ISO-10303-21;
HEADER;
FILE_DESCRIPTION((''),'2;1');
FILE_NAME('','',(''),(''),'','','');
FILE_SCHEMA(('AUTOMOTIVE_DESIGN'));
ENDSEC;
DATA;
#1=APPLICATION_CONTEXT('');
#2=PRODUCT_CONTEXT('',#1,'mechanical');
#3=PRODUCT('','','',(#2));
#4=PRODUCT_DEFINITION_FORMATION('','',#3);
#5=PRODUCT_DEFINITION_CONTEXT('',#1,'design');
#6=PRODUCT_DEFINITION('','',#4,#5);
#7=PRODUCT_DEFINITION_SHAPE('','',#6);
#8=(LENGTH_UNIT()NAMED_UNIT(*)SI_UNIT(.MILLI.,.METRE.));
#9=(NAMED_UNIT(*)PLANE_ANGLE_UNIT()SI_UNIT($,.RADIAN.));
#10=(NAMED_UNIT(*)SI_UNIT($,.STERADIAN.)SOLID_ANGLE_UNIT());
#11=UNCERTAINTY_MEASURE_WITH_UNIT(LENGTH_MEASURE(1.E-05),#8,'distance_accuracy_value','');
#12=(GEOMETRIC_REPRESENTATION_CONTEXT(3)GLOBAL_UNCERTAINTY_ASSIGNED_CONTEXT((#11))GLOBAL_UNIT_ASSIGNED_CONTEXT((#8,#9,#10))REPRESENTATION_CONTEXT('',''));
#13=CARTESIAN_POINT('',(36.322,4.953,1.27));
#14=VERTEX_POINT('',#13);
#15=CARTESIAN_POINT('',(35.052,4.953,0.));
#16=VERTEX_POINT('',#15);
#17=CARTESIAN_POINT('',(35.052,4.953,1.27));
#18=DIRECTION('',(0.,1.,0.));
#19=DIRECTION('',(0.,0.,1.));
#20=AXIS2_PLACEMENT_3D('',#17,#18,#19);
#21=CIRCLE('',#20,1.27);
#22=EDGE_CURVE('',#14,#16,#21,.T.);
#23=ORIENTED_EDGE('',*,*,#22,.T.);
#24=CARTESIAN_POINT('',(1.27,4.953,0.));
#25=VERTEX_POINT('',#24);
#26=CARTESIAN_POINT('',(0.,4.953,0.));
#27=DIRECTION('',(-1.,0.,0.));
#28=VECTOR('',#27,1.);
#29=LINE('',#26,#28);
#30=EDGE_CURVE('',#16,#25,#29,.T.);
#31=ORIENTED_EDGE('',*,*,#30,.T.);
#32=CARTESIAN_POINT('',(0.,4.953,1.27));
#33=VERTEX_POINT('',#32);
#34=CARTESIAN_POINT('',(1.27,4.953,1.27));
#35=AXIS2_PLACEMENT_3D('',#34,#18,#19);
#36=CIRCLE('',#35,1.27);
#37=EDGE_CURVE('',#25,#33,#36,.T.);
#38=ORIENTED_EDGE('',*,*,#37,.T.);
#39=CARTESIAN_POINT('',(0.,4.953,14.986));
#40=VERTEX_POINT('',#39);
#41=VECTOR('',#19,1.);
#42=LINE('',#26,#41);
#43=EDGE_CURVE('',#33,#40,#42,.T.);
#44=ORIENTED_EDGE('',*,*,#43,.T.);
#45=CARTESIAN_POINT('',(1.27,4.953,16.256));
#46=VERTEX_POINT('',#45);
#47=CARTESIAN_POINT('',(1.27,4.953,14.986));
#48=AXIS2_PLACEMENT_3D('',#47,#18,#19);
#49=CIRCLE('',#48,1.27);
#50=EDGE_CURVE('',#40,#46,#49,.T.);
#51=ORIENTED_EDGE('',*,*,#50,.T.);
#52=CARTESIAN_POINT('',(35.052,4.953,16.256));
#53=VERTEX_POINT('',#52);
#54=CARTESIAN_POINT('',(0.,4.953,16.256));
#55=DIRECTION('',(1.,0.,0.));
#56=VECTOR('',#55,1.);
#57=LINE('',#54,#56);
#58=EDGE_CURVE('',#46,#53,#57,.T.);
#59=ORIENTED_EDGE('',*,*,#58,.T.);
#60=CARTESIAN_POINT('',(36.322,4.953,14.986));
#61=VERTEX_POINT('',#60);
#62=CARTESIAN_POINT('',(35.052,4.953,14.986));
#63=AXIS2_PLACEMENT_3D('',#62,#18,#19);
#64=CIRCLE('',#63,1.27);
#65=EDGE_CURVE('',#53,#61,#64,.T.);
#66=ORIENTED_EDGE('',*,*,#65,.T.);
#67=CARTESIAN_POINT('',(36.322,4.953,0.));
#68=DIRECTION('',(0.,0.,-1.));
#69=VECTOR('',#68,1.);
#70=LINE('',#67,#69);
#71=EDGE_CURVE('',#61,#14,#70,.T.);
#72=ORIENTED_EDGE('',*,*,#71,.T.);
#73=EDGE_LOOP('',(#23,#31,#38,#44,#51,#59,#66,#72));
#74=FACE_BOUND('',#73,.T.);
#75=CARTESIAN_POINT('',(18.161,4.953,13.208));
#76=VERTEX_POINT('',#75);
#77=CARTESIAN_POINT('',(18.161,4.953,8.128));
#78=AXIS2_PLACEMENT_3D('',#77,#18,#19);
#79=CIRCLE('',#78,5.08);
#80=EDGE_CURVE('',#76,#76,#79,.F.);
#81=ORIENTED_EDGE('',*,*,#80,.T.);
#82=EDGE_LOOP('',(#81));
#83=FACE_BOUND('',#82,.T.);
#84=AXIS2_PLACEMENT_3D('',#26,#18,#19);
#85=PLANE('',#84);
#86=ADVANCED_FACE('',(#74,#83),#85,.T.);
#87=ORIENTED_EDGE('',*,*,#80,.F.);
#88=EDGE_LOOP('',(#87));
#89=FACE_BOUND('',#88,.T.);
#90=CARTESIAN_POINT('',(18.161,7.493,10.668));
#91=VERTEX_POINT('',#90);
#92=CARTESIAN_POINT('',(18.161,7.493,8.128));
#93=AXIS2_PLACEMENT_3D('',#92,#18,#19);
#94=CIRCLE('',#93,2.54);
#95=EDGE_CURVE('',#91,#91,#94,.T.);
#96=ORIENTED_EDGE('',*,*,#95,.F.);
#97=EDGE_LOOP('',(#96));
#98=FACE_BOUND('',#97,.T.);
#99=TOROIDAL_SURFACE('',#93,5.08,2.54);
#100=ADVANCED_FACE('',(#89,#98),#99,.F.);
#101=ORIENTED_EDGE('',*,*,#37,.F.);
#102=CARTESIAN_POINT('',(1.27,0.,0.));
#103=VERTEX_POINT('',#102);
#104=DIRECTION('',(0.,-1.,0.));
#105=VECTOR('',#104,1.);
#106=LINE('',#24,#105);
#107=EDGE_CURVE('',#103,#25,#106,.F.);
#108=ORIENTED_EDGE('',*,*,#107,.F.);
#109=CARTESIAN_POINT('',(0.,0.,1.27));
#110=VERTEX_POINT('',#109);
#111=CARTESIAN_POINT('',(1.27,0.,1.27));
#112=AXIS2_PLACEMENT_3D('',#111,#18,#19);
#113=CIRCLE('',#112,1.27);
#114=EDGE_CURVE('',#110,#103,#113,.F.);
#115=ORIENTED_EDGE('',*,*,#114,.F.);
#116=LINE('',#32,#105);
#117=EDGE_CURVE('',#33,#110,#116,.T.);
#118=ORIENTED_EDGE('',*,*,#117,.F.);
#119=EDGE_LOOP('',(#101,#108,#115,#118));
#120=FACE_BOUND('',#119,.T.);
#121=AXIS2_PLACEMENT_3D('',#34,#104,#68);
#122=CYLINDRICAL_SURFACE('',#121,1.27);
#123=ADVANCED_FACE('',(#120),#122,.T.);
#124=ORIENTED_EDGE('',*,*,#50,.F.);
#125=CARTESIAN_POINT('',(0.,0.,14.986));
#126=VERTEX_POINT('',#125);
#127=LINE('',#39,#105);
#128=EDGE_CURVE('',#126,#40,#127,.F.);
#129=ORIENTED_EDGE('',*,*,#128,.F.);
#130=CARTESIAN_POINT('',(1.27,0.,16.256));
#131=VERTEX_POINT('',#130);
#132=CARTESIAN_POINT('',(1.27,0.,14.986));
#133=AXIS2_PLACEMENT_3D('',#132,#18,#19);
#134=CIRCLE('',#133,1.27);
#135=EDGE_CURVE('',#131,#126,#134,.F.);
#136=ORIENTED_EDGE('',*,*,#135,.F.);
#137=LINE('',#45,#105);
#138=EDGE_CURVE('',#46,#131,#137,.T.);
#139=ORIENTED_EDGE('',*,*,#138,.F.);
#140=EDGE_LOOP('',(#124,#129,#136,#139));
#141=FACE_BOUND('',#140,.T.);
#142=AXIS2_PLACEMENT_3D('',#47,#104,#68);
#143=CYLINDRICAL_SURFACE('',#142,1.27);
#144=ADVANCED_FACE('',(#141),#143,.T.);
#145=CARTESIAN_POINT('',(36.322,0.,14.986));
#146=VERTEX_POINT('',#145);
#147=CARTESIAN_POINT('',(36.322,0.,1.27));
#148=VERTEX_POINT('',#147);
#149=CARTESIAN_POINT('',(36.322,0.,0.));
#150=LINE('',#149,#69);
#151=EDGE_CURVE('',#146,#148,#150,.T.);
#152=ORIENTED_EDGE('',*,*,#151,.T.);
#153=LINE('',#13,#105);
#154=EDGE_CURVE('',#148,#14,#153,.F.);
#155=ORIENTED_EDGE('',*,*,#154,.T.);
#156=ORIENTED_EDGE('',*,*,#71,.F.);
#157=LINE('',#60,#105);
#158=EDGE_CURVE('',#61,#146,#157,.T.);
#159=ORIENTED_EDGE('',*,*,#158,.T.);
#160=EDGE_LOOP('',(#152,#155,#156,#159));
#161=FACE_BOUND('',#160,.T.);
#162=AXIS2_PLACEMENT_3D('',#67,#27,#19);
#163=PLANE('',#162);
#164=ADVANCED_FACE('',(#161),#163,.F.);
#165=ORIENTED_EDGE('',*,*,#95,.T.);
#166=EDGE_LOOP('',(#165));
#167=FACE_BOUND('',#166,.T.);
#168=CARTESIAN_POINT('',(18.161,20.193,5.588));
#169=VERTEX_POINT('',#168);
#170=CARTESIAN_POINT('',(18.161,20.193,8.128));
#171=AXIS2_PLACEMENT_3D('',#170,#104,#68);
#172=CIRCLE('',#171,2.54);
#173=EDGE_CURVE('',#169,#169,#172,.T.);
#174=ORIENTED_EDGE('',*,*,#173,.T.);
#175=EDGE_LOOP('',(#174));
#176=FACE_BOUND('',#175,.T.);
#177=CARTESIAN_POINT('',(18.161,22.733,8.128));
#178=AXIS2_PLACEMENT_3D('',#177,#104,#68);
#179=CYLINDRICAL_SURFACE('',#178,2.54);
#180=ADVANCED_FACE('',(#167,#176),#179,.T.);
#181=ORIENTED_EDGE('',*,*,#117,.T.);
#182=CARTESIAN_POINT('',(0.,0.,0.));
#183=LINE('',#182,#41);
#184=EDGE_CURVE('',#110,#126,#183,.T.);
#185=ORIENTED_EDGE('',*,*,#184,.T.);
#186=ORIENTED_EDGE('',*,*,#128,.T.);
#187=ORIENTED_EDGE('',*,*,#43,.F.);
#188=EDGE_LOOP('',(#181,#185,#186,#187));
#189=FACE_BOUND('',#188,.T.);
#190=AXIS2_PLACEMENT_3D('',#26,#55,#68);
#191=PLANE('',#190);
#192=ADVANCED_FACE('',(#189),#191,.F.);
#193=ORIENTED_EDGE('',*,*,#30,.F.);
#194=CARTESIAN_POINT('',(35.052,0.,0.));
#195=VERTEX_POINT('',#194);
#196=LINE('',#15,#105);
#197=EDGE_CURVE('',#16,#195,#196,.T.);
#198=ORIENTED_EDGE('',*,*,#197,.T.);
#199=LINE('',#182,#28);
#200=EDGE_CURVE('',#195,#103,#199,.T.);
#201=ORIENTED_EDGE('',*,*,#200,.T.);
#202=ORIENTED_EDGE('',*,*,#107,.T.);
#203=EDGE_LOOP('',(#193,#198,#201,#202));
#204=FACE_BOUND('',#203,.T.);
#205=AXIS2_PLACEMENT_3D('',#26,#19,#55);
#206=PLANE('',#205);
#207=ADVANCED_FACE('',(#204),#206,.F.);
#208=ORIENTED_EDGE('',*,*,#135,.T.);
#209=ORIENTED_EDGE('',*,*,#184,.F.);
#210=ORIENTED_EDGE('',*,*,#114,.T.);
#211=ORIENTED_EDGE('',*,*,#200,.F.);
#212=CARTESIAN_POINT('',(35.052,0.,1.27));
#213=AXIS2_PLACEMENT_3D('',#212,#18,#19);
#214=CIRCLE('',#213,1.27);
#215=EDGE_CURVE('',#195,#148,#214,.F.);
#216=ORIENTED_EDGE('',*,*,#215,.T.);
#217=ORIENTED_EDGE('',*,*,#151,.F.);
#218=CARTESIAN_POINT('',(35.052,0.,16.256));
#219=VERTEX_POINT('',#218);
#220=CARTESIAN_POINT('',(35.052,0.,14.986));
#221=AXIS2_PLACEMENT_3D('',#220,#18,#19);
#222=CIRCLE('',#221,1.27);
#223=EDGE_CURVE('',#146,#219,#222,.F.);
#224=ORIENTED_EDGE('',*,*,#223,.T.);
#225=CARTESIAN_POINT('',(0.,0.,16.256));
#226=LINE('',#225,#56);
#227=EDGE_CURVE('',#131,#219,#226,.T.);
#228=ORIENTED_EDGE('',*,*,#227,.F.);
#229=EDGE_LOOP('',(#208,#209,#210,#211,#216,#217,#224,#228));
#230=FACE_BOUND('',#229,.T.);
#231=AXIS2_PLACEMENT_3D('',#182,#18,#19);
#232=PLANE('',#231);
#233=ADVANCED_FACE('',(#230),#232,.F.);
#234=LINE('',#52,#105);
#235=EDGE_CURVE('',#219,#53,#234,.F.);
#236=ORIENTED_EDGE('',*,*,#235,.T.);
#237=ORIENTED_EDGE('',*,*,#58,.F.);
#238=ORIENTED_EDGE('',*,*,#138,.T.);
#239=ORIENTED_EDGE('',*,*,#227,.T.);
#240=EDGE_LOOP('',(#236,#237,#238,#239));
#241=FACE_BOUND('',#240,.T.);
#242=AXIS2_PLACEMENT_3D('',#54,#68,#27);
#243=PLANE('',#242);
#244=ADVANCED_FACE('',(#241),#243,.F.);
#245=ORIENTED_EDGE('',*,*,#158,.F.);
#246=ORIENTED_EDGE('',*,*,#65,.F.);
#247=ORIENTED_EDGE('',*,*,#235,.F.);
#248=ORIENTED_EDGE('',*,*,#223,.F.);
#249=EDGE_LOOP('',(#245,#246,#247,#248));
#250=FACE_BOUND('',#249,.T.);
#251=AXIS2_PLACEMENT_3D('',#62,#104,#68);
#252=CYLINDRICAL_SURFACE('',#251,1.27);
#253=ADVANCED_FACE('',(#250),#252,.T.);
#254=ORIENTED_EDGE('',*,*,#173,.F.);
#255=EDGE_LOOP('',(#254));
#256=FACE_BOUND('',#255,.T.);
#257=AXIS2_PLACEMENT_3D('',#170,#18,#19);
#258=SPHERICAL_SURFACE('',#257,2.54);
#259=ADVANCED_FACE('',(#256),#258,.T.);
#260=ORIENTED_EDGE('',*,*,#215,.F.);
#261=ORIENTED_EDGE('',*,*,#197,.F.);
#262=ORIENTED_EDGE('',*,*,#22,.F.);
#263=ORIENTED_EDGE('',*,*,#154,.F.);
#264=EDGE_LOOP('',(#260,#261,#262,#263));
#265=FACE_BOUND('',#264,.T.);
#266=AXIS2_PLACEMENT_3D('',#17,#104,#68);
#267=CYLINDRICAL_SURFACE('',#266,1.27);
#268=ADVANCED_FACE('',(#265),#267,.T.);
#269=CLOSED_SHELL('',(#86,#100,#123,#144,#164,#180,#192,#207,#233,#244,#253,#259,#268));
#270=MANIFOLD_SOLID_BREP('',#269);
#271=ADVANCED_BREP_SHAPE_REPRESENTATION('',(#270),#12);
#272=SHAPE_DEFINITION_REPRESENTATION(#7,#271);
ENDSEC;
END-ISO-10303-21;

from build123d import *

# Parameters (mm, degrees)
SKETCH1_W           = 36.322
SKETCH1_H           = 16.256
BOSS_EXTRUDE1_DEPTH = 4.953
SKETCH2_R           = 2.54
BOSS_EXTRUDE2_DEPTH = 17.78
FILLET1_R           = 2.54
FILLET2_R           = 2.54
FILLET3_R           = 1.27


with BuildPart() as part:
    # Sketch1 → Boss-Extrude1 (new body)
    with BuildSketch(Plane(origin=(0, 0, 0), x_dir=(1, 0, 0), z_dir=(0, 1, 0))):
        with Locations((18.161, -8.128)):
            Rectangle(SKETCH1_W, SKETCH1_H)
    extrude(amount=BOSS_EXTRUDE1_DEPTH)

    # Sketch2 → Boss-Extrude2 (add)
    with BuildSketch(Plane(origin=(0, 4.953, 0), x_dir=(1, 0, 0), z_dir=(0, 1, 0))):
        with Locations(Location((18.161, -8.128, 0), (0, 0, 270))):
            Circle(SKETCH2_R)
    extrude(amount=BOSS_EXTRUDE2_DEPTH)

    # Fillet1
    fillet1_edges = [part.edges().sort_by_distance(p)[0] for p in [
        (18.161, 22.733, 5.588),
    ]]
    fillet(fillet1_edges, radius=FILLET1_R)

    # Fillet2
    fillet2_edges = [part.edges().sort_by_distance(p)[0] for p in [
        (18.161, 4.953, 5.588),
    ]]
    fillet(fillet2_edges, radius=FILLET2_R)

    # Fillet3
    fillet3_edges = [part.edges().sort_by_distance(p)[0] for p in [
        (0, 2.4765, 0),
        (36.322, 2.4765, 0),
        (36.322, 2.4765, 16.256),
        (0, 2.4765, 16.256),
    ]]
    fillet(fillet3_edges, radius=FILLET3_R)


solid = part.part
